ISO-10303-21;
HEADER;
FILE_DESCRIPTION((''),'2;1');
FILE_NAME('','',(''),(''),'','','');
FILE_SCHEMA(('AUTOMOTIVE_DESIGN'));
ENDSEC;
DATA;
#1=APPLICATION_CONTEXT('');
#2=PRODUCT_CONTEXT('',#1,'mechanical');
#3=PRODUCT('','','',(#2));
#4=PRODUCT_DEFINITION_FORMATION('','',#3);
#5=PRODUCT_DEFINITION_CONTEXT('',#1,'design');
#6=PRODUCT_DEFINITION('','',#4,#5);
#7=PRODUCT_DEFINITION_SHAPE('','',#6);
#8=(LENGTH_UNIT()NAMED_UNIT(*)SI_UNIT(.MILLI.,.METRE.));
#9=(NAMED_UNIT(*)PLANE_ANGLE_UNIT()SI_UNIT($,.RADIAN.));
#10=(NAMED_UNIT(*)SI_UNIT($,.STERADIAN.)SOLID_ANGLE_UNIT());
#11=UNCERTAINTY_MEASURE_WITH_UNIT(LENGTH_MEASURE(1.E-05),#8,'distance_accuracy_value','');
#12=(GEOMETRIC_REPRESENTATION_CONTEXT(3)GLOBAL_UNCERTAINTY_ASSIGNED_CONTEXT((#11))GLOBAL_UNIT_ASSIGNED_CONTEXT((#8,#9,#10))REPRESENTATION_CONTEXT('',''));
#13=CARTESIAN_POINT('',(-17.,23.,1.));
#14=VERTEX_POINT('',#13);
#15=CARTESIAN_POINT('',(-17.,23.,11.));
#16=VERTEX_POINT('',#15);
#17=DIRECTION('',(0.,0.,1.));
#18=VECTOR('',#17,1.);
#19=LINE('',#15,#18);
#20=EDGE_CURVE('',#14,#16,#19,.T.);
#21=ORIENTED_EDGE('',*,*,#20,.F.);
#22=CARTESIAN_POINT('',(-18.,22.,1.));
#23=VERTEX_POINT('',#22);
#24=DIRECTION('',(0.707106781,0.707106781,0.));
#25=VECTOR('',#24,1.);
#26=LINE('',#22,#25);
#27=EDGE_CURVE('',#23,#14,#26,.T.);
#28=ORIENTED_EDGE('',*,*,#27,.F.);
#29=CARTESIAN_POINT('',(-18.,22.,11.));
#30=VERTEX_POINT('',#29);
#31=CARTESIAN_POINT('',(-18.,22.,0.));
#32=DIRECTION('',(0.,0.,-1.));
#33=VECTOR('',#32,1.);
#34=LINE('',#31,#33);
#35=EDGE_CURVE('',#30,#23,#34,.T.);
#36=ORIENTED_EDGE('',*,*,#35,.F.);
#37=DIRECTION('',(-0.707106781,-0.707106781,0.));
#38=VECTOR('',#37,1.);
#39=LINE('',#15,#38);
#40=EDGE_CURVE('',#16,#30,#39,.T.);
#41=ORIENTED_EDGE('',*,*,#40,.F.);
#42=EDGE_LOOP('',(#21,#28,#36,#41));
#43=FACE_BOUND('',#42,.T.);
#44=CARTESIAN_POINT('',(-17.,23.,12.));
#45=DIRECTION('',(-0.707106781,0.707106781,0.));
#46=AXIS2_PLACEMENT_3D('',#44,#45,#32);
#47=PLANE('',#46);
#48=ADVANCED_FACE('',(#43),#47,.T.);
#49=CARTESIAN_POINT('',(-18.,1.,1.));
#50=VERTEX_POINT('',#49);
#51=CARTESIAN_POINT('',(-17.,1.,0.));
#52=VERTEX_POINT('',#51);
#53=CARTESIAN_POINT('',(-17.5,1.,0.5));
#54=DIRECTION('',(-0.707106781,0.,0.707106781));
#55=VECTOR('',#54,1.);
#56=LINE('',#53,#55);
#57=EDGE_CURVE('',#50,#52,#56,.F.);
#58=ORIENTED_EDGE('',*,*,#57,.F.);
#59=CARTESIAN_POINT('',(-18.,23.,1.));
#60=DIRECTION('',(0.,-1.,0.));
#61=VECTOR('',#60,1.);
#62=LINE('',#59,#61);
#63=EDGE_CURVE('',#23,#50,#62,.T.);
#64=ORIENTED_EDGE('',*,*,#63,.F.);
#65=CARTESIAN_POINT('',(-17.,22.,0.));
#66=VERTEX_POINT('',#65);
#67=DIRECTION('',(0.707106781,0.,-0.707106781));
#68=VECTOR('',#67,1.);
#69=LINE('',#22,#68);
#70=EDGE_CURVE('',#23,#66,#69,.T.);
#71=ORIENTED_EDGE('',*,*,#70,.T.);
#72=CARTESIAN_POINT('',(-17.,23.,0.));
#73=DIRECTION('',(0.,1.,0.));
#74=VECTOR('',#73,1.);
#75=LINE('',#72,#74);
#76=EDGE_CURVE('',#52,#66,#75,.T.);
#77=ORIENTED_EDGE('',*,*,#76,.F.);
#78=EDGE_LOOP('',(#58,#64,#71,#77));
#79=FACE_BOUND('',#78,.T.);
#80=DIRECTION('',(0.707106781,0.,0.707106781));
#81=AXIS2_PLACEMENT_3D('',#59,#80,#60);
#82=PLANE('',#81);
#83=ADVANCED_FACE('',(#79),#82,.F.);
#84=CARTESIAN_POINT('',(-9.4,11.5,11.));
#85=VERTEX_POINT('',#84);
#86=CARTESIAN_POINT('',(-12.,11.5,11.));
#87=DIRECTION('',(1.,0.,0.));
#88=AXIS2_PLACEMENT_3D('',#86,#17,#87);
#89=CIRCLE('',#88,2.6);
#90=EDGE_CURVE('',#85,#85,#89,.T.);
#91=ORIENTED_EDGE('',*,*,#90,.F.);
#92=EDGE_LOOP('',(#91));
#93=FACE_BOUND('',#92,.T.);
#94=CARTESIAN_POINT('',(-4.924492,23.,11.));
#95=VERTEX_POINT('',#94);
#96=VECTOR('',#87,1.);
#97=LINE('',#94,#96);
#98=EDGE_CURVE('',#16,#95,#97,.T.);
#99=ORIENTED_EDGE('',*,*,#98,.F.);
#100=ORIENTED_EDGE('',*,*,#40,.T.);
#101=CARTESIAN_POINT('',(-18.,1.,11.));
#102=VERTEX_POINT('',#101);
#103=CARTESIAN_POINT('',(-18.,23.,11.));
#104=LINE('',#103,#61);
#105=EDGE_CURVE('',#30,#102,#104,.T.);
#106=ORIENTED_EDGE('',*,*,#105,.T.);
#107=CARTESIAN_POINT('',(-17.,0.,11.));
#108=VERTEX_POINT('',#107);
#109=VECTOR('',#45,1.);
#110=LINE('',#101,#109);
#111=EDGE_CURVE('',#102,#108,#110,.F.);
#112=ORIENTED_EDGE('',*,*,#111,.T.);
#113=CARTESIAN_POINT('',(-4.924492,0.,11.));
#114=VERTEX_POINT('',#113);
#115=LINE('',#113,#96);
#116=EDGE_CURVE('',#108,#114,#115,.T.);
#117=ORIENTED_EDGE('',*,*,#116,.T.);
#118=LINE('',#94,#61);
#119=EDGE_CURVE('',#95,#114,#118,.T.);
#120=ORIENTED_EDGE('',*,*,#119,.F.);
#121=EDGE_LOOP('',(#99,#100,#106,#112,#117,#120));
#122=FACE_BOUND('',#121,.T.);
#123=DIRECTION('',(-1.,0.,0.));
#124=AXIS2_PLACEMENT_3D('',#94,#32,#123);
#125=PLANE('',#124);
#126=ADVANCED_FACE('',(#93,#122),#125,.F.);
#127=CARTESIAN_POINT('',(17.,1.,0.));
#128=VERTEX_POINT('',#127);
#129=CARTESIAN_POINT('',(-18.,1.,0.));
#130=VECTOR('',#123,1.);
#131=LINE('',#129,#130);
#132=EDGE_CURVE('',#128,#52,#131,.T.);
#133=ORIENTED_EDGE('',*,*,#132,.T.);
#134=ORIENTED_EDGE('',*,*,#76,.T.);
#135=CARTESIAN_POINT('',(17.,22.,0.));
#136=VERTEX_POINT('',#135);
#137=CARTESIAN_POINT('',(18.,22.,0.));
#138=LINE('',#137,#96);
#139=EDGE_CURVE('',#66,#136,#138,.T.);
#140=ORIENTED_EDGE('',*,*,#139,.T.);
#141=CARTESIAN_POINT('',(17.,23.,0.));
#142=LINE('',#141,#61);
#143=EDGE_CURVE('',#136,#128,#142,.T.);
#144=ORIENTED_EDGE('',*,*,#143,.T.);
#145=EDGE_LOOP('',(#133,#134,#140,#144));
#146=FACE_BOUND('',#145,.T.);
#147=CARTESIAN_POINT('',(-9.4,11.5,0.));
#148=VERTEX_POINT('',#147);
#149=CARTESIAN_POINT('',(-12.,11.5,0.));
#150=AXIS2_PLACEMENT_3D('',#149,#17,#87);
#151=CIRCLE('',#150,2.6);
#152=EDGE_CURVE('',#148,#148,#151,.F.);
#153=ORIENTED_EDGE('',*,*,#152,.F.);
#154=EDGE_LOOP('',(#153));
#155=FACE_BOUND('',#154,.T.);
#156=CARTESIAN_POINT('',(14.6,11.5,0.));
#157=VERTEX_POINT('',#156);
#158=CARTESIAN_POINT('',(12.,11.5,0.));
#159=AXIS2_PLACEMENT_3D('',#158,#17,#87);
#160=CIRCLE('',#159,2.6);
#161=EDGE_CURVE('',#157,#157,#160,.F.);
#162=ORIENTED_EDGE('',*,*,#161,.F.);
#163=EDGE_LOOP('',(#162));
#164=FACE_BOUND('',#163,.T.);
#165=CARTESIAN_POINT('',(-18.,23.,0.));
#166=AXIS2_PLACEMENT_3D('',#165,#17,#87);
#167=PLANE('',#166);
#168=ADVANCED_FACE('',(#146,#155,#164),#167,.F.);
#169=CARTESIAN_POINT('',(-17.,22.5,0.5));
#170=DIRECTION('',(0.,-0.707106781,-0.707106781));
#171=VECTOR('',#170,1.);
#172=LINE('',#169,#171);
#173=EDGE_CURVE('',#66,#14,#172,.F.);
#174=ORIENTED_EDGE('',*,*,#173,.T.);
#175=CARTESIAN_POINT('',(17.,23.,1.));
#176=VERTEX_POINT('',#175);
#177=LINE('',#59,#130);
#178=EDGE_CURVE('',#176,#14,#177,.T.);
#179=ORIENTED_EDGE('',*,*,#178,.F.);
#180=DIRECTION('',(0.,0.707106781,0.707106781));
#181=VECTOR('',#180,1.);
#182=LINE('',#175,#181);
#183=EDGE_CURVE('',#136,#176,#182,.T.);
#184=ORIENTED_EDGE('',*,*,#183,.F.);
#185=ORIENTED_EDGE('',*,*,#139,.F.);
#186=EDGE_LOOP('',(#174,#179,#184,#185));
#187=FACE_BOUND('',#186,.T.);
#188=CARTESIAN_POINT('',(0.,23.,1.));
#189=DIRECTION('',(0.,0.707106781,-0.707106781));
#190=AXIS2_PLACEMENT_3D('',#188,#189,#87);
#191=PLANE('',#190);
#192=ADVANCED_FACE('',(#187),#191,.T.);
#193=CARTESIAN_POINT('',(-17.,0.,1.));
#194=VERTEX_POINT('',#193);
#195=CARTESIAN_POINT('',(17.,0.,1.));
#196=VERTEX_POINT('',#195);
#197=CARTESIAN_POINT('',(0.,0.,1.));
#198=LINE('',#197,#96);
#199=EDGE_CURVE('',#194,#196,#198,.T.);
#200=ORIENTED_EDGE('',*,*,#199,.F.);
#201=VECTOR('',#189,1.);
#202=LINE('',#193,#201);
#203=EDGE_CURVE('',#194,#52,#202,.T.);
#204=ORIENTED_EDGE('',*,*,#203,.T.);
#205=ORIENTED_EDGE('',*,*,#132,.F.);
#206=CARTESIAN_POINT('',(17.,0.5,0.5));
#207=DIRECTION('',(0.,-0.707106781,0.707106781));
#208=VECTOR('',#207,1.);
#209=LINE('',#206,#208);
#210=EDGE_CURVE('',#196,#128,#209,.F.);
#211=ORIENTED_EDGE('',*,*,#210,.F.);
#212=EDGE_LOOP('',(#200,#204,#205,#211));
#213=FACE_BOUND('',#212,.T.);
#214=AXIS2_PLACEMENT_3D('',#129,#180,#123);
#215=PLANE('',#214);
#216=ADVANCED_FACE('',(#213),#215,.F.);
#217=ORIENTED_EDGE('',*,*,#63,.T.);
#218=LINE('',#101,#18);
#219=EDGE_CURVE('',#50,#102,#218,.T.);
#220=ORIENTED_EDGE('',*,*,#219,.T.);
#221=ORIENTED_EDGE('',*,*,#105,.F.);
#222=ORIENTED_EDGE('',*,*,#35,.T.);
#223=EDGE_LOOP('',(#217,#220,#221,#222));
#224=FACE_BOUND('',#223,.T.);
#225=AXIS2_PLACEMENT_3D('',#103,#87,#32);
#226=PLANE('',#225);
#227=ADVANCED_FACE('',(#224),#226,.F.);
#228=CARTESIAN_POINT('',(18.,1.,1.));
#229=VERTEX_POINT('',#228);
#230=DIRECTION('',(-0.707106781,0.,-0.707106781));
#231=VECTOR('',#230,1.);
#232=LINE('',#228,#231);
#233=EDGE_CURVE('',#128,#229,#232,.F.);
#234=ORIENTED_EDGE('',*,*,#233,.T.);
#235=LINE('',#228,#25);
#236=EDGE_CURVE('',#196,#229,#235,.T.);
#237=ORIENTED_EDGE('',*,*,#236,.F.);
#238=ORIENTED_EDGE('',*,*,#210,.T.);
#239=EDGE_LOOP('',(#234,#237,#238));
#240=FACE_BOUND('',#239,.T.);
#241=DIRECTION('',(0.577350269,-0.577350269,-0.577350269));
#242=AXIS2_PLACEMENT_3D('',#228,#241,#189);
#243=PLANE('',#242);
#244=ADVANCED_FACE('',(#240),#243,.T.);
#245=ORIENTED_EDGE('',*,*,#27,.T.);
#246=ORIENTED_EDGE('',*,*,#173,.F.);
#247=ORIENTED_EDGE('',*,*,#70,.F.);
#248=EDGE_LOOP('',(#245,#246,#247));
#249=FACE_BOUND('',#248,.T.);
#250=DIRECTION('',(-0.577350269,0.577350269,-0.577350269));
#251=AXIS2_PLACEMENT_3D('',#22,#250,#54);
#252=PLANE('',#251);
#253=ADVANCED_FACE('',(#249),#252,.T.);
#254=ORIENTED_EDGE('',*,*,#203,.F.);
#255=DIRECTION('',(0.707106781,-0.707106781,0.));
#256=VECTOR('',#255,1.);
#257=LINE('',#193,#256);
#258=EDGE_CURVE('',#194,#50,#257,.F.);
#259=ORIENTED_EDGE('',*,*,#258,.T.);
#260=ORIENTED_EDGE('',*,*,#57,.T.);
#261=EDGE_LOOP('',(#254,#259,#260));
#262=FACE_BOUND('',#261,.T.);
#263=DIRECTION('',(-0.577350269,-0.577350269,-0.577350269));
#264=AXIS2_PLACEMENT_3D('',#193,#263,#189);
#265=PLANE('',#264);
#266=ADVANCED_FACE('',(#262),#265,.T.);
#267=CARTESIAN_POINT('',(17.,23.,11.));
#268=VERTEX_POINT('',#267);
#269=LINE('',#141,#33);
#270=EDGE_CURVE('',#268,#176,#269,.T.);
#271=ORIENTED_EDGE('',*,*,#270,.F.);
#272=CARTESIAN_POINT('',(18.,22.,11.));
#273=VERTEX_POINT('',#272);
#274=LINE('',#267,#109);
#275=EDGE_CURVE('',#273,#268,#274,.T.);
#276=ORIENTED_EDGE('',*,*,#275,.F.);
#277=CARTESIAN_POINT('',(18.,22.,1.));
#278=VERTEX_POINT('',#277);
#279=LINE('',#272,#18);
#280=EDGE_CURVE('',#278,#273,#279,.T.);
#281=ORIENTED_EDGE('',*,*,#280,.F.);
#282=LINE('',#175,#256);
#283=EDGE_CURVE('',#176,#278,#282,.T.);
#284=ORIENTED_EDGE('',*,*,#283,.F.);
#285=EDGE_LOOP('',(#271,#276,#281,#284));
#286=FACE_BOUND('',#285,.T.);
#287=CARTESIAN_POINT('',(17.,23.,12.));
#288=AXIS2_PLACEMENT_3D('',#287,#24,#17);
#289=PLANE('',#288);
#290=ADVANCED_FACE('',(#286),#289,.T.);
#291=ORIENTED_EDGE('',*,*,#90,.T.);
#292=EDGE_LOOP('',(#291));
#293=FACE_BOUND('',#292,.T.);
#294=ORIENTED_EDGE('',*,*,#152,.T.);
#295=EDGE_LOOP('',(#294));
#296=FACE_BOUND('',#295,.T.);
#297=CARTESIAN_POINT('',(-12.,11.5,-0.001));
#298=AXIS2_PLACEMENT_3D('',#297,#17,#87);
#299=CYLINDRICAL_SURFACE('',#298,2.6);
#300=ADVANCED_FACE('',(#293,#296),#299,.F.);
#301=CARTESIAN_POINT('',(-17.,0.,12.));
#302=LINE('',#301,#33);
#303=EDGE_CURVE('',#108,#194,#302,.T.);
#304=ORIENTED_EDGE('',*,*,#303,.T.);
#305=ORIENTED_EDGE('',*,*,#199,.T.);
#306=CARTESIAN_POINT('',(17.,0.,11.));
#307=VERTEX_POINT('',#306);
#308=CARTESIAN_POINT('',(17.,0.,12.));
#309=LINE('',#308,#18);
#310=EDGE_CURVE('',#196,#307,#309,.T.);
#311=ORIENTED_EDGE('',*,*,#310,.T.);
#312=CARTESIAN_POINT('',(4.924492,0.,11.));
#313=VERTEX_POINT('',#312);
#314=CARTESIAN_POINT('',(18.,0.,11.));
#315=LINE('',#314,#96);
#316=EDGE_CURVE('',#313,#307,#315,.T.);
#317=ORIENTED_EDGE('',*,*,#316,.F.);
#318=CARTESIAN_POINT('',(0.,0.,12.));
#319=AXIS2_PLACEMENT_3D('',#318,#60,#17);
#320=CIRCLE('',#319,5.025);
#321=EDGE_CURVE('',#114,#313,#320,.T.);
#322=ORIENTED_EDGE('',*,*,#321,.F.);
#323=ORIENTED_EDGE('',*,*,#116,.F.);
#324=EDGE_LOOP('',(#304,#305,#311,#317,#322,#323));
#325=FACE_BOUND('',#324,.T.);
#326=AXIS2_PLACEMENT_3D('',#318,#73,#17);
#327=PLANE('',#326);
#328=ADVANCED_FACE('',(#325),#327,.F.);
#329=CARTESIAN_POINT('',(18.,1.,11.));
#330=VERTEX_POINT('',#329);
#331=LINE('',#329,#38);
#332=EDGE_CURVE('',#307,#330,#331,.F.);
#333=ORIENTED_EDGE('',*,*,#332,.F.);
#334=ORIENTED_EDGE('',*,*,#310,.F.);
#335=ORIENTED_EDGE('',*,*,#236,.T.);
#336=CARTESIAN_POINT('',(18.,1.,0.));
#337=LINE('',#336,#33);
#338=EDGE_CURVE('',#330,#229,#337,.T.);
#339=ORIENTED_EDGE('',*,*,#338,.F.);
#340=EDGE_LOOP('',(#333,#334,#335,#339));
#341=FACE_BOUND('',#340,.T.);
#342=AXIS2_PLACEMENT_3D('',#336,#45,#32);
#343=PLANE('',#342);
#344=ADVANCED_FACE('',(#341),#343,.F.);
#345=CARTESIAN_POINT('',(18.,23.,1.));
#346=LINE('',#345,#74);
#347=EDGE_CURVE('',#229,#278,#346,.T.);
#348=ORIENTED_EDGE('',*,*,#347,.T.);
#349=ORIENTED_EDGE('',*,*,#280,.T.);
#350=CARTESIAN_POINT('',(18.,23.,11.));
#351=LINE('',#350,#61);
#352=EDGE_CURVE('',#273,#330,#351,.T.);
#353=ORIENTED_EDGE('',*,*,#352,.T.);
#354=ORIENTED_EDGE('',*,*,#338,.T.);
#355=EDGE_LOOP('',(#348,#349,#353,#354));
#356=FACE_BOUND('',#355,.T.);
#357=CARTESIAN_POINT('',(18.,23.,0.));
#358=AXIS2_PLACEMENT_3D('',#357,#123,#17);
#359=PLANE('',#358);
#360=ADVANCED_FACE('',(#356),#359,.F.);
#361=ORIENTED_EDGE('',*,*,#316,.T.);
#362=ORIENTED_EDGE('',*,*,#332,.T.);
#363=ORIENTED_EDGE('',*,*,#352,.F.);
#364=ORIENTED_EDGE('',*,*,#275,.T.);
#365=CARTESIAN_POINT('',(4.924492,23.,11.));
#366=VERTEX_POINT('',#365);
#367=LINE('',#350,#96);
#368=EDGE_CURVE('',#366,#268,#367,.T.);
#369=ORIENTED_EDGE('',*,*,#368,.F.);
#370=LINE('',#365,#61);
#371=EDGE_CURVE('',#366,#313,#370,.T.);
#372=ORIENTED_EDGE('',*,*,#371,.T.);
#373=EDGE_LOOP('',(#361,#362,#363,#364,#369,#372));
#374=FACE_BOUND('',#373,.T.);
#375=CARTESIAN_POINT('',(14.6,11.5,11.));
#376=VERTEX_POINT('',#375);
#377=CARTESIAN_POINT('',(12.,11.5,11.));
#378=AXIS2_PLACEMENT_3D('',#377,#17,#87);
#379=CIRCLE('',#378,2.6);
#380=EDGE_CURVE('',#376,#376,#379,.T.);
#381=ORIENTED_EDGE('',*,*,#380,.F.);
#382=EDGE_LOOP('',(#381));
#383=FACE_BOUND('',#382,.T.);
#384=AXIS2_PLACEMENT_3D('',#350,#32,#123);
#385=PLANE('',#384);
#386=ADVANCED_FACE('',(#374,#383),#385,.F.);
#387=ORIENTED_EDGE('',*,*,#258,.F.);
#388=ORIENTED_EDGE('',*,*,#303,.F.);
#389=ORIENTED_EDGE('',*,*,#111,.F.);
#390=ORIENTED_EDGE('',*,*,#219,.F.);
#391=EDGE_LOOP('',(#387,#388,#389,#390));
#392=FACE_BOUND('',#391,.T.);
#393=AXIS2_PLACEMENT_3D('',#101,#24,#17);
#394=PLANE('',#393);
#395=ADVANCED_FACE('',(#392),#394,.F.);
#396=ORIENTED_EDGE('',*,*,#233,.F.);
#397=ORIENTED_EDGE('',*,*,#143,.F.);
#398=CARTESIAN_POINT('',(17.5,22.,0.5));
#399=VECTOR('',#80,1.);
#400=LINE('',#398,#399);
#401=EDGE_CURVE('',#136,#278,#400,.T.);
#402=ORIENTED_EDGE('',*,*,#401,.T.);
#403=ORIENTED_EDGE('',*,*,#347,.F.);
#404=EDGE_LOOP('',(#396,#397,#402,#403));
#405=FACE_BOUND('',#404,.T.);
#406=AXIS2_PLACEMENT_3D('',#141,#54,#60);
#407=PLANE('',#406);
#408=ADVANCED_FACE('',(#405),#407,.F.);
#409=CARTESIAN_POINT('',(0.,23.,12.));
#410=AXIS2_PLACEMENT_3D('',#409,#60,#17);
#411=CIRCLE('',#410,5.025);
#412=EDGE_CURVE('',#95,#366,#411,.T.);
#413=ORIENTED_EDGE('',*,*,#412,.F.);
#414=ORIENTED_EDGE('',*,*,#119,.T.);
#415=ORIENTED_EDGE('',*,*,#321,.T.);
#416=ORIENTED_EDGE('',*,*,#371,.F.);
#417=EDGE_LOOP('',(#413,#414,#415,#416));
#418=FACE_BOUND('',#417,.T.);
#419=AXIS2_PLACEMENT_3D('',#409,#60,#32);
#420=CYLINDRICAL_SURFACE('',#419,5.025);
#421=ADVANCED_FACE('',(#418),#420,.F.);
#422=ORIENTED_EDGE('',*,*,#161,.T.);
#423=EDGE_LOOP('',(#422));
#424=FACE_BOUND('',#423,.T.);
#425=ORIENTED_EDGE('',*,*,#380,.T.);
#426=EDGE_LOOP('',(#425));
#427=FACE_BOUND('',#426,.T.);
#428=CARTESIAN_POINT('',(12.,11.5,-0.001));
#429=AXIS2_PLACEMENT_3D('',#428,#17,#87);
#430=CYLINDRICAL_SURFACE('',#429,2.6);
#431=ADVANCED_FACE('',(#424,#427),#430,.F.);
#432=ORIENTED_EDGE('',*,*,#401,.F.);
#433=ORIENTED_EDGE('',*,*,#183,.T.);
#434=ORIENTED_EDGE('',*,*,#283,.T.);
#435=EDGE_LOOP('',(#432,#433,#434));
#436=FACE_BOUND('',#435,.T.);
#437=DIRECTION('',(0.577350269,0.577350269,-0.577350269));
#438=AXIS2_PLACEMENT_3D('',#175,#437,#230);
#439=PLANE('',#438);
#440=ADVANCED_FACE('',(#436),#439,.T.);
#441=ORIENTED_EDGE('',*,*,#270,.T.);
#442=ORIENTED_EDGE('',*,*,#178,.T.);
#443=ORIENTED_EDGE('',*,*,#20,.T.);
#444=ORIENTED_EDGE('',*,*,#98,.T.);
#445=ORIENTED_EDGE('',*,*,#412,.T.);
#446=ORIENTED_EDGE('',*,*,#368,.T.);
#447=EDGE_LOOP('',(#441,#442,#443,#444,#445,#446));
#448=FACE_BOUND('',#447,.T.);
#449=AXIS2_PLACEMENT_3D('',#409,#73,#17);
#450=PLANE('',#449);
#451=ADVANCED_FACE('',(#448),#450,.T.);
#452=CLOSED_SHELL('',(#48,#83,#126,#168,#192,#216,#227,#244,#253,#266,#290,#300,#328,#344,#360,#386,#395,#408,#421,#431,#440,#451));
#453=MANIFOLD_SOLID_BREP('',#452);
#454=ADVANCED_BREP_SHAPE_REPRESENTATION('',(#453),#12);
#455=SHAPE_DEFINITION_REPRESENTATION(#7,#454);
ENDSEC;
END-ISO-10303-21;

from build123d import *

# Parameters (mm, degrees)
BOSS_EXTRUDE1_DEPTH = 23
CUT_EXTRUDE1_REACH  = 33.209
SKETCH2_R           = 2.6
CHAMFER1_SIZE       = 1


with BuildPart() as part:
    # Sketch1 → Boss-Extrude1 (new body)
    with BuildSketch(Plane(origin=(0, 0, 0), x_dir=(1, 0, 0), z_dir=(0, 1, 0))):
        with BuildLine():
            Line((-18, 0), (18, 0))
            Line((18, 0), (18, -11))
            Line((18, -11), (4.92449236, -11))
            ThreePointArc((4.92449236, -11), (0, -6.975), (-4.92449236, -11))
            Line((-4.92449236, -11), (-18, -11))
            Line((-18, -11), (-18, 0))
        make_face()
    extrude(amount=BOSS_EXTRUDE1_DEPTH)

    # Sketch2 → Cut-Extrude1 (cut, up to next)
    with BuildSketch(Plane.XY.offset(11), mode=Mode.PRIVATE) as cut_extrude1_sk1:
        with Locations((-12, 11.5)):
            Circle(SKETCH2_R)
    cut_extrude1_tool1 = extrude(cut_extrude1_sk1.sketch, amount=-CUT_EXTRUDE1_REACH, mode=Mode.PRIVATE) & part.part
    # Sketch2 → Cut-Extrude1 (cut, up to next)
    with BuildSketch(Plane.XY.offset(11), mode=Mode.PRIVATE) as cut_extrude1_sk2:
        with Locations((12, 11.5)):
            Circle(SKETCH2_R)
    cut_extrude1_tool2 = extrude(cut_extrude1_sk2.sketch, amount=-CUT_EXTRUDE1_REACH, mode=Mode.PRIVATE) & part.part
    add(cut_extrude1_tool1.solids().sort_by_distance((-12, 11.5, 11))[0], mode=Mode.SUBTRACT)
    add(cut_extrude1_tool2.solids().sort_by_distance((12, 11.5, 11))[0], mode=Mode.SUBTRACT)

    # Chamfer1
    chamfer1_edges = [part.edges().sort_by_distance(p)[0] for p in [
        (-18, 11.5, 0),
        (18, 11.5, 0),
        (18, 23, 5.5),
        (0, 23, 0),
        (-18, 23, 5.5),
        (0, 0, 0),
        (18, 0, 5.5),
        (-18, 0, 5.5),
    ]]
    chamfer(chamfer1_edges, length=CHAMFER1_SIZE)


solid = part.part
